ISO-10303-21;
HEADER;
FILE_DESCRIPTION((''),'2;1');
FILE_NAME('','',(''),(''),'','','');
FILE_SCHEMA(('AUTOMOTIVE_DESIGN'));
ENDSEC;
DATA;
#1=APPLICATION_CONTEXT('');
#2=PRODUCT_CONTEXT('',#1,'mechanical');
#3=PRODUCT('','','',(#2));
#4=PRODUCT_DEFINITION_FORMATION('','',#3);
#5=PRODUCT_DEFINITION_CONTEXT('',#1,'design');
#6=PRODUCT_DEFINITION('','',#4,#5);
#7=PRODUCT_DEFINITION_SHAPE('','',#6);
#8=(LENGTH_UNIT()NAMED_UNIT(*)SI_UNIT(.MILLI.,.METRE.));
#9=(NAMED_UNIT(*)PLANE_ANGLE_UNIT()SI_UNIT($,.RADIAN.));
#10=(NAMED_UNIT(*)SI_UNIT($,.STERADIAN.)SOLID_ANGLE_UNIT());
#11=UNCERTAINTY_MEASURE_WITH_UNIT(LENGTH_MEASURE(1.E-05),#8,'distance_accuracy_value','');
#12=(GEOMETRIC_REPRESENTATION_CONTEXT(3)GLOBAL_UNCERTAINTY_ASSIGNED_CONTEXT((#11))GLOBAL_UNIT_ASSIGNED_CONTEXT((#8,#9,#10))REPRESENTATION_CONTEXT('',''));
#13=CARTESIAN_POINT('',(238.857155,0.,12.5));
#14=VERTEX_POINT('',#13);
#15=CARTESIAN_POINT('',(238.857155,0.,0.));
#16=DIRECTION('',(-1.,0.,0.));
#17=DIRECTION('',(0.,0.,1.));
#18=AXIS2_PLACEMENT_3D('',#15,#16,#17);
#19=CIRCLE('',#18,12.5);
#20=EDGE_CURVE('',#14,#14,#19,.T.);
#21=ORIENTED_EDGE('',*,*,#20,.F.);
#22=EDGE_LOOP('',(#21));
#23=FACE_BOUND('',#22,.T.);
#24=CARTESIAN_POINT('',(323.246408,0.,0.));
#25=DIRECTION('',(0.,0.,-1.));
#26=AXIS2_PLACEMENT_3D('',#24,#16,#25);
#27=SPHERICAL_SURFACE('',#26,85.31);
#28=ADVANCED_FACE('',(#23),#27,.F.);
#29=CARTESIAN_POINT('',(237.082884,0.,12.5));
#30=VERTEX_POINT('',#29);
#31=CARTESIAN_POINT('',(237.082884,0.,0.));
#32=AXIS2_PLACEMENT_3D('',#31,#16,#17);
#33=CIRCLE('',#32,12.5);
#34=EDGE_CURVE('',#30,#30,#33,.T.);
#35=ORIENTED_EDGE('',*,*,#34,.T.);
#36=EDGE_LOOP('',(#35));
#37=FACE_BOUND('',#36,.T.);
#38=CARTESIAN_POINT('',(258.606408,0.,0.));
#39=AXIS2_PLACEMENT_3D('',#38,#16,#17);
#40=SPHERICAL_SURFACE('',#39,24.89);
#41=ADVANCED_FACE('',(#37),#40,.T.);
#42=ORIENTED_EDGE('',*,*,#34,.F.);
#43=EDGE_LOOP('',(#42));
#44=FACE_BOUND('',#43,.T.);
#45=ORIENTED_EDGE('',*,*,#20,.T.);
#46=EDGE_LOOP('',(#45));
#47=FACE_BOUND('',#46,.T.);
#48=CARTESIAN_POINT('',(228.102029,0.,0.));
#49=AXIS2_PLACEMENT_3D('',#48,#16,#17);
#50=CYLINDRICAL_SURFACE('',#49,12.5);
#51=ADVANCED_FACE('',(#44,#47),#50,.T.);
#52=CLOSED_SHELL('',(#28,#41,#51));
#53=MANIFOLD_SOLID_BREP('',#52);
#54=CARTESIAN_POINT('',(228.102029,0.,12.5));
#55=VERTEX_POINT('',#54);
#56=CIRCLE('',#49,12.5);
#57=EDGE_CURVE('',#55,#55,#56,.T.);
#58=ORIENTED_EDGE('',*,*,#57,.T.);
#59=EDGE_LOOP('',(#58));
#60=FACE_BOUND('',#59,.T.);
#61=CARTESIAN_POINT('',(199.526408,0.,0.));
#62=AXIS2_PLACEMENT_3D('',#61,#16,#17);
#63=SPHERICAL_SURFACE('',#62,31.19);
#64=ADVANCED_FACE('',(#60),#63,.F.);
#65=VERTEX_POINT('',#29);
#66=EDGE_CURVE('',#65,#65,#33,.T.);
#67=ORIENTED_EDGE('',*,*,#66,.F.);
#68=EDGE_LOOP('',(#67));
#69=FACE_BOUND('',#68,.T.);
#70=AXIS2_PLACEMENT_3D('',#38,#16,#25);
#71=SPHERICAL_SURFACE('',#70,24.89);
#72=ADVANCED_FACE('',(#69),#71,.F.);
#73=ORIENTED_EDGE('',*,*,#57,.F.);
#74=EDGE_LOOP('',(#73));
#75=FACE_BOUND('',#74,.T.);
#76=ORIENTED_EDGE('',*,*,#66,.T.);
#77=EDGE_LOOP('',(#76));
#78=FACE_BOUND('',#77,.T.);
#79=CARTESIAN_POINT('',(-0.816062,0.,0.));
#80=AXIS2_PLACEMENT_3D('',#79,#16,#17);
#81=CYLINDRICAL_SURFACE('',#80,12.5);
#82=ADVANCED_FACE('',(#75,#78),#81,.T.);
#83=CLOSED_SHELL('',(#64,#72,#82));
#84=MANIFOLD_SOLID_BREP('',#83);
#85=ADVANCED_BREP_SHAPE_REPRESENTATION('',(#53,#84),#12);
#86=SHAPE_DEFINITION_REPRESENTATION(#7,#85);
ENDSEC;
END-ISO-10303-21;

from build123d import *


with BuildPart() as part:
    # 草图1 one side → 旋转1 (revolve)
    with BuildSketch(Plane(origin=(0, 0, 0), x_dir=(1, 0, 0), z_dir=(0, 1, 0)), mode=Mode.PRIVATE) as revolve_1_sk:
        with BuildLine():
            Line((237.082883701, 12.5), (228.102028769, 12.5))
            ThreePointArc((228.102028769, 12.5), (230.055817718, 6.385236467), (230.716408041, 0))
            Line((230.716408041, 0), (233.716408041, 0))
            ThreePointArc((233.716408041, 0), (234.572758497, 6.472695698), (237.082883701, 12.5))
        make_face()
    revolve(revolve_1_sk.sketch.rotate(Axis((-0.816062176, 0, 0), (1, 0, 0)), 180), axis=Axis((-0.816062176, 0, 0), (1, 0, 0)))  # turned: the seam where the file's is


with BuildPart() as body_2:
    # 草图2 one side → 旋转3 (revolve)
    with BuildSketch(Plane(origin=(0, 0, 0), x_dir=(1, 0, 0), z_dir=(0, 1, 0)), mode=Mode.PRIVATE) as revolve_3_sk:
        with BuildLine():
            Line((238.857154578, 12.5), (237.082883701, 12.5))
            ThreePointArc((237.082883701, 12.5), (234.572758497, 6.472695698), (233.716408041, 0))
            Line((233.716408041, 0), (237.936408041, 0))
            ThreePointArc((237.936408041, 0), (238.166906065, 6.266932547), (238.857154578, 12.5))
        make_face()
    revolve(revolve_3_sk.sketch.rotate(Axis((228.102028769, 0, 0), (1, 0, 0)), 180), axis=Axis((228.102028769, 0, 0), (1, 0, 0)))  # turned: the seam where the file's is


solid = Compound([part.part, body_2.part])
